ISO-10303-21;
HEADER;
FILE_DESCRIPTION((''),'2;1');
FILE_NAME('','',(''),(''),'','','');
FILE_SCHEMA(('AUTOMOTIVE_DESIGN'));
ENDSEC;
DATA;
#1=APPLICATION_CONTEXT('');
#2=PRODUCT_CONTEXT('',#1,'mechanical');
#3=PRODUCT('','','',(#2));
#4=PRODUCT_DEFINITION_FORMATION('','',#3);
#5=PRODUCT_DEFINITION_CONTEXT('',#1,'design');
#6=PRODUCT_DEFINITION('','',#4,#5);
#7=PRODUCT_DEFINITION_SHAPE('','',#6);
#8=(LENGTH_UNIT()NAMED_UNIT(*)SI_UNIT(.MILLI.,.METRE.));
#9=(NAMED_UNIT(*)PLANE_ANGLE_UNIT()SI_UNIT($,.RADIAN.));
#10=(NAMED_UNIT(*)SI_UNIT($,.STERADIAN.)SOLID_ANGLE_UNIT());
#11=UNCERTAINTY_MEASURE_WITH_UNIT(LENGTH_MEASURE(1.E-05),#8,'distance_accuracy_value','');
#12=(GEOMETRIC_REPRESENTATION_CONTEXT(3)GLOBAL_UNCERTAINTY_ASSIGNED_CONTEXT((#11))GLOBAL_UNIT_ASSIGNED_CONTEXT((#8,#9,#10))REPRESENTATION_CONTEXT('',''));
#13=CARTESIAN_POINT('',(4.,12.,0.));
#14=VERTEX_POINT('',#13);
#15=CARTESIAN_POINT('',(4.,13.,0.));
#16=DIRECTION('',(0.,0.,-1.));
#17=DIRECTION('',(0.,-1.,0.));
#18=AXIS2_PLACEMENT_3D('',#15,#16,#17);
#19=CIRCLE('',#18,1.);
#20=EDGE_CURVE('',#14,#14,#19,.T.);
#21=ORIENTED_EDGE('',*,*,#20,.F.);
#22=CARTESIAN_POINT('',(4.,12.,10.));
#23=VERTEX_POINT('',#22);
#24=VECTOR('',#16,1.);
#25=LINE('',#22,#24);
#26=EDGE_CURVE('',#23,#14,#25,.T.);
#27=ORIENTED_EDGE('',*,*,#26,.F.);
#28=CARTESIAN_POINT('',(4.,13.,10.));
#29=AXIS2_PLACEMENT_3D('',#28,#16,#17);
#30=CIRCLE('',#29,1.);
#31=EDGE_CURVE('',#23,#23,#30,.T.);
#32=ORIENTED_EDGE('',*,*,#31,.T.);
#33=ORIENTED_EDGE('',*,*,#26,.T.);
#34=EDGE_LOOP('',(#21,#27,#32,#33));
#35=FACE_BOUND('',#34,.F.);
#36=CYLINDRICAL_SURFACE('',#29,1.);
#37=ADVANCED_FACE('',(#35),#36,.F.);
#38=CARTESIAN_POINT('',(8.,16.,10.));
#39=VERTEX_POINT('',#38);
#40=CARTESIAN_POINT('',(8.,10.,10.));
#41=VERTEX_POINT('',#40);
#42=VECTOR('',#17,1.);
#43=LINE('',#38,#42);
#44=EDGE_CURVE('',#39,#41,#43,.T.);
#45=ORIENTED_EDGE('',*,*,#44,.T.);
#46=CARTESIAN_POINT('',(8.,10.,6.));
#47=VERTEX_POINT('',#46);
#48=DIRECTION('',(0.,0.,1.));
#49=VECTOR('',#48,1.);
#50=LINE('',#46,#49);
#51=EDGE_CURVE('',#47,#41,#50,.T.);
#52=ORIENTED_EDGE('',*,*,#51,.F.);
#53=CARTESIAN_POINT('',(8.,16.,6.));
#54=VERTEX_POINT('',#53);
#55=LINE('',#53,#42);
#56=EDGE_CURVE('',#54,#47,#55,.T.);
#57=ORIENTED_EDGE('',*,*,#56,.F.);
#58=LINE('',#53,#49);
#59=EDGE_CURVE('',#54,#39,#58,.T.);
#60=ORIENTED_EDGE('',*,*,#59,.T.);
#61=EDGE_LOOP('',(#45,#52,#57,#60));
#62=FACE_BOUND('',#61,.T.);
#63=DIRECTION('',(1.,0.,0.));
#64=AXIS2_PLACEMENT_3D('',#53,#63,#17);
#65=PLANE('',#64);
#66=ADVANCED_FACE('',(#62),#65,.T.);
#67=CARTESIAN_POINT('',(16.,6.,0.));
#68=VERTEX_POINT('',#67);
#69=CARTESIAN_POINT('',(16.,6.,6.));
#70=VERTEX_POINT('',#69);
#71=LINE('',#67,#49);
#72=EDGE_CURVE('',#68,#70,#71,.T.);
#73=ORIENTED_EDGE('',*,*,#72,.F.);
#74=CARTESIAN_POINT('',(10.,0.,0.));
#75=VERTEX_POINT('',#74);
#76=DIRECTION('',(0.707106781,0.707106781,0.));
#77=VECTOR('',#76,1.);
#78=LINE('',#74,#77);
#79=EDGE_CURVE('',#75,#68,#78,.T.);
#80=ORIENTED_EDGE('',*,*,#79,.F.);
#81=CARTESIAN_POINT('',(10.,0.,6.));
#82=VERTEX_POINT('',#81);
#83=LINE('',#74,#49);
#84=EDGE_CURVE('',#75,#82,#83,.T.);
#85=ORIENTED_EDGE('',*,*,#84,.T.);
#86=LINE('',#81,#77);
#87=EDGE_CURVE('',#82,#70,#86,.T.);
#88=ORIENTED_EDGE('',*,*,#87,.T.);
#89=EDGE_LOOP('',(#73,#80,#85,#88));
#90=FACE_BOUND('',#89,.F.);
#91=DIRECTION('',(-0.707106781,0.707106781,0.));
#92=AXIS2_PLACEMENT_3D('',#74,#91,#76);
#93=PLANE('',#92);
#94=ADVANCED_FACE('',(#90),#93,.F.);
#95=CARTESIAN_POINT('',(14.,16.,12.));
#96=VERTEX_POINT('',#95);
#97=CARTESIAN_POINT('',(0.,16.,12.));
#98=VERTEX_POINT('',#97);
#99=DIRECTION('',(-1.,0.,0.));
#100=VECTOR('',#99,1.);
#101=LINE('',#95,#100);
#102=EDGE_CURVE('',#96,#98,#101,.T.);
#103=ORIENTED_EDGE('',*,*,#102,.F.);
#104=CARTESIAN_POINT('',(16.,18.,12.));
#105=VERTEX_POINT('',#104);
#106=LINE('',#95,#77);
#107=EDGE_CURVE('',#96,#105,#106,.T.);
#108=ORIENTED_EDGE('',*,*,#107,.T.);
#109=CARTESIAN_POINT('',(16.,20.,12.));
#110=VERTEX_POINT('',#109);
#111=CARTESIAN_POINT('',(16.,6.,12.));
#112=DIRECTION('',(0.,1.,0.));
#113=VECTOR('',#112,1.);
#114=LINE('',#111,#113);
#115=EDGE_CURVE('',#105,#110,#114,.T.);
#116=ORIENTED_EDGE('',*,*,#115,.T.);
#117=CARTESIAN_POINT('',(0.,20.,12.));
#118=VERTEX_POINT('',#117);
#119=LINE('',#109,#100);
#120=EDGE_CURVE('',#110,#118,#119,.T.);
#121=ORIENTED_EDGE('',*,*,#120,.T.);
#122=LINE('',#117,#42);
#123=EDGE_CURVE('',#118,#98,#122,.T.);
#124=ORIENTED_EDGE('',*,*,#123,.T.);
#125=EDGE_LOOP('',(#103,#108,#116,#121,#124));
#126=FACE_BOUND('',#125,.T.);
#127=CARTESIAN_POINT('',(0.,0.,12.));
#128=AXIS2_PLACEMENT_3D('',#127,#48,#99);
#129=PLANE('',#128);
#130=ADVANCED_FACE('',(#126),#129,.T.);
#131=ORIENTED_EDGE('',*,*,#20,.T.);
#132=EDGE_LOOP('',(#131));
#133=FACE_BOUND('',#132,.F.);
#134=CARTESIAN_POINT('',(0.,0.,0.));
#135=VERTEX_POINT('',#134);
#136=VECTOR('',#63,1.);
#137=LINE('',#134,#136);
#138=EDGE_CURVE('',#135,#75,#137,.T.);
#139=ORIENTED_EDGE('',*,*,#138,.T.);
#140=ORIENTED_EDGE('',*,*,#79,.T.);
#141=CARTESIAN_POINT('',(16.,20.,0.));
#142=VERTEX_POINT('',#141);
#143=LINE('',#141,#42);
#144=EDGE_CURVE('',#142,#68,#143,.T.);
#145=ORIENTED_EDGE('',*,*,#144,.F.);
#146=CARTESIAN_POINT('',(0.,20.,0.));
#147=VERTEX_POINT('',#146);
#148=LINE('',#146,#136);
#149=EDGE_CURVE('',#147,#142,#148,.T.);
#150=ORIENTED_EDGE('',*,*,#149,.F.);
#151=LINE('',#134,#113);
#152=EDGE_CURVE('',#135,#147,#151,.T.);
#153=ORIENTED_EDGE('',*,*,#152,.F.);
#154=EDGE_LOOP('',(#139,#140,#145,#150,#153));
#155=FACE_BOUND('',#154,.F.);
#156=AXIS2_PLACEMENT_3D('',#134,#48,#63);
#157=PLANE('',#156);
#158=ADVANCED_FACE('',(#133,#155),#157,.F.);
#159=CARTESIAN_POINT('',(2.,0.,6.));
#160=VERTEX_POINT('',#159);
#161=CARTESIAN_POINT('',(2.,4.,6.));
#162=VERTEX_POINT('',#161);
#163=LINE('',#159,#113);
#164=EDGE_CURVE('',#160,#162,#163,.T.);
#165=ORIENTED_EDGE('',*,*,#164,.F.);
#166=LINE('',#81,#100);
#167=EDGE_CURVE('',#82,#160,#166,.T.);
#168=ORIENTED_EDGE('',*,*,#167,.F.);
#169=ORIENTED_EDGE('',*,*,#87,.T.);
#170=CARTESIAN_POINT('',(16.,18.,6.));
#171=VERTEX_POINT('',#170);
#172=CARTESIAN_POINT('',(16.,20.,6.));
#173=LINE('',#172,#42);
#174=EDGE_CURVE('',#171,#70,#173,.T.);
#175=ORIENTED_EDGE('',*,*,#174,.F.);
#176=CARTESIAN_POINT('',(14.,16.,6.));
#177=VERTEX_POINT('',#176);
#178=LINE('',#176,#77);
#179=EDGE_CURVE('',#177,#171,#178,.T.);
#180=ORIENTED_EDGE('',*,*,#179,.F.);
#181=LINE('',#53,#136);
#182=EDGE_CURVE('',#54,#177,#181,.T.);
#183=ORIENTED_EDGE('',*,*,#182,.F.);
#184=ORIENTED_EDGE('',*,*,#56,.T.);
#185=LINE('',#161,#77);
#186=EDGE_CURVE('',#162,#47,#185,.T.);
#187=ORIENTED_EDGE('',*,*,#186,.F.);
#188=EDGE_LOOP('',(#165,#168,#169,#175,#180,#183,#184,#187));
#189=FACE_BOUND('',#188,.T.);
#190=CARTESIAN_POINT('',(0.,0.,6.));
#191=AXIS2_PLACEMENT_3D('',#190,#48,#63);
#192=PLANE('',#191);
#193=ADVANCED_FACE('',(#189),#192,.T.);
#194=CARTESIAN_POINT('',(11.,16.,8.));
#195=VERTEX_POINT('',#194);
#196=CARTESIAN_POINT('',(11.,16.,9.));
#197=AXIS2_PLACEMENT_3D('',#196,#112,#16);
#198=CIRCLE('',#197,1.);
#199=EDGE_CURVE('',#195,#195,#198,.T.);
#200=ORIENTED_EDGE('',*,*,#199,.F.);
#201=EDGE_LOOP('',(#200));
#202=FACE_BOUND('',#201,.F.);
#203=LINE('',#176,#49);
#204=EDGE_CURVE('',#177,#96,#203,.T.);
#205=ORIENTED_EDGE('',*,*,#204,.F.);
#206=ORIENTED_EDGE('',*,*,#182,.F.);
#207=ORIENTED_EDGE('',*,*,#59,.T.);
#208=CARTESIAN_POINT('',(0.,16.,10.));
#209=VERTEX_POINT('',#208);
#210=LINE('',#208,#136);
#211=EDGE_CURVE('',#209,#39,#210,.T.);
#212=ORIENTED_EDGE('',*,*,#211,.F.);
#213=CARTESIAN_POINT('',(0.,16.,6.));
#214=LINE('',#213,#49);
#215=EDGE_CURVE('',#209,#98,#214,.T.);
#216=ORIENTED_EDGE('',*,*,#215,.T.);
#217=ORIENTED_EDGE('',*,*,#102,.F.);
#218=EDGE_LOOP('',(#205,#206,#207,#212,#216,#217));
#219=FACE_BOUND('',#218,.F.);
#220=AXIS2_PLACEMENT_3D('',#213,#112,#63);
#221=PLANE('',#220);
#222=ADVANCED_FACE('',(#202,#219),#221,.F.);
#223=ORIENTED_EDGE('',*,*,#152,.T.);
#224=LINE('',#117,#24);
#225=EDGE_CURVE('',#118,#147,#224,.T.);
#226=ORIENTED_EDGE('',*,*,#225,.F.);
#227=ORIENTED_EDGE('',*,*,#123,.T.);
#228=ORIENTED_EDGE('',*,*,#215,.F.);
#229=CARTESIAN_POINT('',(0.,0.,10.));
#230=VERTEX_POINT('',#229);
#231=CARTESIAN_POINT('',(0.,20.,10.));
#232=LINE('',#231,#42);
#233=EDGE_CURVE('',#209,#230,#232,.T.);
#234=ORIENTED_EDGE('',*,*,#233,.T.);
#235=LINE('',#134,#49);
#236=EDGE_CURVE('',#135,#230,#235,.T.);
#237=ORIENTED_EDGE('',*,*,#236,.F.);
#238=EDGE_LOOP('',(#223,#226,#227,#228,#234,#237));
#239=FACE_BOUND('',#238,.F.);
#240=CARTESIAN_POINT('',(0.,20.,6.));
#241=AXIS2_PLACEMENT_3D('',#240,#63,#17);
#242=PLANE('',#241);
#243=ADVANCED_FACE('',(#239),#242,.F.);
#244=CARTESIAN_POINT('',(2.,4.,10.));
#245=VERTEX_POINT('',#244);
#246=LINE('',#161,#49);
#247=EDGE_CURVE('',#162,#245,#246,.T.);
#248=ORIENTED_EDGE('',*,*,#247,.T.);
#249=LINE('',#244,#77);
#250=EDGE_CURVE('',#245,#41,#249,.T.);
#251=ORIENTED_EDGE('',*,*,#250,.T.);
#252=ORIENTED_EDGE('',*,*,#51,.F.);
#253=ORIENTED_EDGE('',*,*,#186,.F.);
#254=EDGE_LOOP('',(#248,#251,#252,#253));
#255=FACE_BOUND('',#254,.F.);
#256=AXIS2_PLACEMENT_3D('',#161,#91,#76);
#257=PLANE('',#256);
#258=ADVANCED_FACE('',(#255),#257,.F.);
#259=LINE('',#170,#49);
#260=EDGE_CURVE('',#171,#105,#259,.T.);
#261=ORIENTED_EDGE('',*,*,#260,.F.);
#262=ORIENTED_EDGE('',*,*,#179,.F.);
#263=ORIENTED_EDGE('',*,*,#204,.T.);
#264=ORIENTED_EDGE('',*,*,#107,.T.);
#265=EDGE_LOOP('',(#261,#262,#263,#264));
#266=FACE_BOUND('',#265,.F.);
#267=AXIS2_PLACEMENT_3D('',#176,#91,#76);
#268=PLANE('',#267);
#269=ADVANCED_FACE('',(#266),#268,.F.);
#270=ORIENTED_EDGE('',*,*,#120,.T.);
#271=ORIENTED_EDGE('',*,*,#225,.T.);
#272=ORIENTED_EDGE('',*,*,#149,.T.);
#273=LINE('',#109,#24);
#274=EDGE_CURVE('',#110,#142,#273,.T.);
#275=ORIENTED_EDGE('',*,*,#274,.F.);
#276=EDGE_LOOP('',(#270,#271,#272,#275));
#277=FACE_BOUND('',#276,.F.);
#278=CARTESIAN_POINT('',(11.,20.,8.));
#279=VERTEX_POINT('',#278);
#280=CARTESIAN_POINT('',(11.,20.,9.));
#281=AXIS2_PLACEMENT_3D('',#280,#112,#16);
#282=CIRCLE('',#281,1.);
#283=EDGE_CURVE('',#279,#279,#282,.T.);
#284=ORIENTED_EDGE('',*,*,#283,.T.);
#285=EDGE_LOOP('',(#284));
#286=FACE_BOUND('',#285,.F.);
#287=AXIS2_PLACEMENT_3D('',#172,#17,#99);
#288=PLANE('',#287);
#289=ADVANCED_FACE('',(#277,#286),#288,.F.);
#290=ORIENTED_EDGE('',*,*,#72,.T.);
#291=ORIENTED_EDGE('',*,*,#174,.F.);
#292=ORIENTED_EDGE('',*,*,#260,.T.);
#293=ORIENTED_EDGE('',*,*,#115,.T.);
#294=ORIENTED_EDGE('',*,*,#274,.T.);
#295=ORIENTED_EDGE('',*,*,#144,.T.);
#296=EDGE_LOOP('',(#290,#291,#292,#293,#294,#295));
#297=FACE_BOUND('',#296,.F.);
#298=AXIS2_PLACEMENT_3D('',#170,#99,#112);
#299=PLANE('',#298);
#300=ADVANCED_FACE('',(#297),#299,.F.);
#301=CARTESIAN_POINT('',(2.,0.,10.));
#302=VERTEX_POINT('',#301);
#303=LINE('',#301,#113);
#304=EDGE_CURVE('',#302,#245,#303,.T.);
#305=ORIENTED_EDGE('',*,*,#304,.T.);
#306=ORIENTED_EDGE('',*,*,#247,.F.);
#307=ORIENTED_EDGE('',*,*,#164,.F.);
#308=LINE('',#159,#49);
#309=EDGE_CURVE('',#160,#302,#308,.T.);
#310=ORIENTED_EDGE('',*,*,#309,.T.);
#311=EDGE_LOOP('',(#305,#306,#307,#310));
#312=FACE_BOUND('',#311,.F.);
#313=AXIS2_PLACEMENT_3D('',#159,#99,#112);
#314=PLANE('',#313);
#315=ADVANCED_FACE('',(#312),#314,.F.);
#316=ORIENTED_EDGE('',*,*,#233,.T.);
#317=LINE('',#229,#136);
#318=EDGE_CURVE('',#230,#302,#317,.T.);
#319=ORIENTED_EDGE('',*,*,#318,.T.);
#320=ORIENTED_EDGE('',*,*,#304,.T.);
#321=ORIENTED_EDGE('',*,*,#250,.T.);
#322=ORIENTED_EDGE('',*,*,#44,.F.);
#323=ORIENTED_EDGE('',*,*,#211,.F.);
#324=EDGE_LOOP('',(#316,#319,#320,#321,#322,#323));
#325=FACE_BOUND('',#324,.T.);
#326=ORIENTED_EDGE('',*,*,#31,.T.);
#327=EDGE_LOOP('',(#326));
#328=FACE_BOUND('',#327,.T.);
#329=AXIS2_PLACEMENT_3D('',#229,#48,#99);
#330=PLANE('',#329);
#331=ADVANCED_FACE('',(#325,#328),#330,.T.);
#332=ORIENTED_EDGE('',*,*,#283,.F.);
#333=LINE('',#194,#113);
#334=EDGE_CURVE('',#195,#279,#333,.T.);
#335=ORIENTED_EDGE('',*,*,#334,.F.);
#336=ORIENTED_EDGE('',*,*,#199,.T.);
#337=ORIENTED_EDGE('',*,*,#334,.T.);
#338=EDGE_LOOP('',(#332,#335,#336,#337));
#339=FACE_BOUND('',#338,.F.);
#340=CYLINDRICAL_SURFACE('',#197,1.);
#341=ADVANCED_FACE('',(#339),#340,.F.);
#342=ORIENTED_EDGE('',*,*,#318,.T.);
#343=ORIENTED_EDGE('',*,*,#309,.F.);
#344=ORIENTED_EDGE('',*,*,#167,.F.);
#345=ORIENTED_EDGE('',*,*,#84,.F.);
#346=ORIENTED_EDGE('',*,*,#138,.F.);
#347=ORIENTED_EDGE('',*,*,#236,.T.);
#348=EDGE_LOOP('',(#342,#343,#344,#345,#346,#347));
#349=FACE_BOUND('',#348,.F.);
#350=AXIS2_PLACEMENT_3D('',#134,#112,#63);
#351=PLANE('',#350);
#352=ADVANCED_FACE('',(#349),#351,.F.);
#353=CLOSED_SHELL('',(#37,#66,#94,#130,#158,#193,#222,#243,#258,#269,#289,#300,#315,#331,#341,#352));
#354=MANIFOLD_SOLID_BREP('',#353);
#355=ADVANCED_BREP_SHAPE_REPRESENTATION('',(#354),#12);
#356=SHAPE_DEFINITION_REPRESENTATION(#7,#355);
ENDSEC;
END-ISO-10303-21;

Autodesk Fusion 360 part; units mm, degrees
sketch "Sketch1" plane through (0, 0, 0) normal (0, 0, 1) x (1, 0, 0)
  line L0 (0, 0) -> (0, 20)
  line L1 (0, 20) -> (16, 20)
  line L2 (0, 0) -> (6, 0)
  line L3 (0, 0) -> (10, 0)
  line L4 (16, 20) -> (16, 6)
  line L5 (10, 0) -> (16, 6)
  dimension "d1" = 20
  dimension "d2" = 16
  dimension "d3" = 14
extrude "Extrude1" add sketch "Sketch1" along normal blind 6
sketch "Sketch2" plane through (0, 0, 6) normal (0, 0, 1) x (-1, 0, 0)
  line L0 (0, 0) -> (-10, 0)
  line L1 (-10, 0) -> (-16, -6)
  line L2 (-16, -6) -> (-16, -20)
  line L3 (-16, -20) -> (0, -20)
  line L4 (0, -20) -> (0, 0)
  line L5 (0, 0) -> (-2, 0)
  line L6 (-2, 0) -> (-2, -4)
  line L7 (0, 0) -> (0, -16)
  line L8 (0, -16) -> (-8, -16)
  line L9 (-8, -16) -> (-8, -10)
  line L10 (-2, -4) -> (-8, -10)
  dimension "d6" = 2
  dimension "d7" = 4
  dimension "d8" = 16
  dimension "d9" = 8
  dimension "d10" = 6
extrude "Extrude2" add sketch "Sketch2" along normal blind 4 contours L0 L4 L5 L6 L7 L8 L9 L10
sketch "Sketch3" plane through (0, 0, 6) normal (0, 0, 1) x (-1, 0, 0)
  line L0 (-2, -4) -> (-2, 0)
  line L1 (-2, 0) -> (-10, 0)
  line L2 (-10, 0) -> (-16, -6)
  line L3 (-16, -6) -> (-16, -20)
  line L4 (-16, -20) -> (0, -20)
  line L5 (0, -20) -> (0, -16)
  line L6 (0, -16) -> (-8, -16)
  line L7 (-8, -16) -> (-8, -10)
  line L8 (-8, -10) -> (-2, -4)
  line L9 (-16, -20) -> (-16, -18)
  line L10 (-8, -16) -> (-14, -16)
  line L11 (-14, -16) -> (-16, -18)
  line L12 (-16, -20) -> (0, -20)
  line L13 (0, -16) -> (0, -20)
  line L14 (0, -16) -> (-8, -16)
  dimension "d13" = 2
  dimension "d14" = 6
extrude "Extrude3" add sketch "Sketch3" along normal blind 6 contours L3 L4 L5 L6 L9 L10 L11 L12 L13 L14
sketch "Sketch4" plane through (0, 0, 10) normal (0, 0, 1) x (-1, 0, 0)
  line L0 (0, 0) -> (-2, 0)
  line L1 (-2, 0) -> (-2, -4)
  line L2 (-2, -4) -> (-8, -10)
  line L3 (-8, -10) -> (-8, -16)
  line L4 (-8, -16) -> (0, -16)
  line L5 (0, -16) -> (0, 0)
  line L6 (-8, -16) -> (-8, -13)
  line L7 (-8, -13) -> (-4, -13)
  dimension "d17" = 4
hole "Hole1" at (4, 13, 10) direction (0, 0, -1) diameter 2 depth 12 tip angle 118
sketch "Sketch5" plane through (0, 16, 0) normal (0, -1, 0) x (1, 0, 0)
  line L0 (0, 10) -> (8, 10)
  line L1 (8, 10) -> (8, 6)
  line L2 (8, 6) -> (14, 6)
  line L3 (14, 6) -> (14, 12)
  line L4 (14, 12) -> (0, 12)
  line L5 (0, 12) -> (0, 10)
  line L6 (14, 12) -> (11, 12)
  line L7 (11, 12) -> (11, 9)
  dimension "d21" = 3
  dimension "d22" = 3
hole "Hole2" at (11, 16, 9) direction (0, 1, 0) diameter 2 depth 12 tip angle 118
